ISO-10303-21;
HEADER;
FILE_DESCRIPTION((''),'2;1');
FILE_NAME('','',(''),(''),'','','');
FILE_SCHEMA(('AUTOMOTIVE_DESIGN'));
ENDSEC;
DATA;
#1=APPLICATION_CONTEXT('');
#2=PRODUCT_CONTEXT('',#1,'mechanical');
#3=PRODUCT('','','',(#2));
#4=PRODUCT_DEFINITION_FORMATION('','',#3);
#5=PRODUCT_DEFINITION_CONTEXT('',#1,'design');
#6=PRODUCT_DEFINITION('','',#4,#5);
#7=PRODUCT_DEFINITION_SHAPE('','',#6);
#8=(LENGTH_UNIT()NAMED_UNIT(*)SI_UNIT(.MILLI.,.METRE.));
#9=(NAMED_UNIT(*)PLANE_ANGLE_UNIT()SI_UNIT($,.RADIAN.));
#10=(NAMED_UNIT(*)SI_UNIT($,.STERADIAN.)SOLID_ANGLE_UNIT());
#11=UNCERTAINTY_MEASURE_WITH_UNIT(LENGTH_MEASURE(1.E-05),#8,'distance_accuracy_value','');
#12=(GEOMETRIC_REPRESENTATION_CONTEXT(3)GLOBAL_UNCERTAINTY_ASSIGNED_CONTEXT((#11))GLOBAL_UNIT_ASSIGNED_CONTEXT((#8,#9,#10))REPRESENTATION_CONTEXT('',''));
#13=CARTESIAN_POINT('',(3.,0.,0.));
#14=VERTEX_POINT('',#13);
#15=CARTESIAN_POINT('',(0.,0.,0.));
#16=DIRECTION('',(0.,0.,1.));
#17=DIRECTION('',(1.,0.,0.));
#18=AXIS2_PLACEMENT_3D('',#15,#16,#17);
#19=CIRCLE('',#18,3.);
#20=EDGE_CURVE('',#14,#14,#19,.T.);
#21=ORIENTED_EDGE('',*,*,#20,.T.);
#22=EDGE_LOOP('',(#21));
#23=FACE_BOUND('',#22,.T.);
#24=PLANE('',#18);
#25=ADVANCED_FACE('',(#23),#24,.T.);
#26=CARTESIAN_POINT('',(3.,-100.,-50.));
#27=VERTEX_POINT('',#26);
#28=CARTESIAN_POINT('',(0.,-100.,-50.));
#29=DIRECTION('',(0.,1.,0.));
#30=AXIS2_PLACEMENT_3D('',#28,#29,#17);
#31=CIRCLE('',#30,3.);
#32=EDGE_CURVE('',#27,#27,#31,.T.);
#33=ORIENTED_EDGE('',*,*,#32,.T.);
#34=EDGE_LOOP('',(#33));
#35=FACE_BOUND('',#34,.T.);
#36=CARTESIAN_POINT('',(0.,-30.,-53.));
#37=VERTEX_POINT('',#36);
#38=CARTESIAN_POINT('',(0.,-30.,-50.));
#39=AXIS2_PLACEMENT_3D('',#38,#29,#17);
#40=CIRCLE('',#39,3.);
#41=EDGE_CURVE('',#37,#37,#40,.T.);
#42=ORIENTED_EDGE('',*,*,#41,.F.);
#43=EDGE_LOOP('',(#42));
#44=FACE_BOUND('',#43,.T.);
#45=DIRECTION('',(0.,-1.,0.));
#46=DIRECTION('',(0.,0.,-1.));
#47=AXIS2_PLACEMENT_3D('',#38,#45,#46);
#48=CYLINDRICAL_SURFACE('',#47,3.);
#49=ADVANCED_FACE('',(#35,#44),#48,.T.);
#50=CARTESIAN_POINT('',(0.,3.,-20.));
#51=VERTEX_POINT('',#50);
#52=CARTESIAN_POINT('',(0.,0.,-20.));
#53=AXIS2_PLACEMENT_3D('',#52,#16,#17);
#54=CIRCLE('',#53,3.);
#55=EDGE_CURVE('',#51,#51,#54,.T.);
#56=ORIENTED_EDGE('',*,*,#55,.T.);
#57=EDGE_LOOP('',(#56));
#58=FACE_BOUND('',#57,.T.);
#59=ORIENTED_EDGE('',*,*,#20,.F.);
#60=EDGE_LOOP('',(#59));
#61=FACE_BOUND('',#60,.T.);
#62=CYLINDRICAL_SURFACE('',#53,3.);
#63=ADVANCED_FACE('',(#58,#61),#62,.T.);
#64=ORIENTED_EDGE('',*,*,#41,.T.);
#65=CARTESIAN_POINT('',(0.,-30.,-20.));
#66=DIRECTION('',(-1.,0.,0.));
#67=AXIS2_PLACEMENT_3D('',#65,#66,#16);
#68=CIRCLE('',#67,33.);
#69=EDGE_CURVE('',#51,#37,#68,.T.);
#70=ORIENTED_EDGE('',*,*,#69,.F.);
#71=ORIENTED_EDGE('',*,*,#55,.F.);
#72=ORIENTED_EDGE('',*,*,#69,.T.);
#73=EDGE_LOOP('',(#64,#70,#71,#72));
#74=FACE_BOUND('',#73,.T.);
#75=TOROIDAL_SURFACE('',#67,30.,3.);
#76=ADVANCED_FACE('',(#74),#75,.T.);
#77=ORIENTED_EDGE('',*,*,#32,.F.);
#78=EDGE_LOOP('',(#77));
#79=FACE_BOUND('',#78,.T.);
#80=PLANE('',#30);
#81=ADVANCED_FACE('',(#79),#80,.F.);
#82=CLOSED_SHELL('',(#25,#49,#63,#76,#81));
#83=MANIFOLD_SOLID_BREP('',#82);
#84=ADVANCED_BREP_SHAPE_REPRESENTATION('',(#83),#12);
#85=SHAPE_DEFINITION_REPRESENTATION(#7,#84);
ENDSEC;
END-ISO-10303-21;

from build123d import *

# Parameters (mm, degrees)
SKETCH1_R = 3


with BuildPart() as part:
    # Sweep1: sweep along a path in Sketch3
    with BuildLine(Plane(origin=(0, 0, 0), x_dir=(0, 0, -1), z_dir=(1, 0, 0))) as sweep1_path:
        Line((0, 0), (20, 0))
        ThreePointArc((20, 0), (41.213203436, -8.786796564), (50, -30))
        Line((50, -30), (50, -100))
    # Sketch1 → Sweep1 (sweep)
    with BuildSketch(Plane.XY):
        Circle(SKETCH1_R)
    sweep(path=sweep1_path.line)


solid = part.part
